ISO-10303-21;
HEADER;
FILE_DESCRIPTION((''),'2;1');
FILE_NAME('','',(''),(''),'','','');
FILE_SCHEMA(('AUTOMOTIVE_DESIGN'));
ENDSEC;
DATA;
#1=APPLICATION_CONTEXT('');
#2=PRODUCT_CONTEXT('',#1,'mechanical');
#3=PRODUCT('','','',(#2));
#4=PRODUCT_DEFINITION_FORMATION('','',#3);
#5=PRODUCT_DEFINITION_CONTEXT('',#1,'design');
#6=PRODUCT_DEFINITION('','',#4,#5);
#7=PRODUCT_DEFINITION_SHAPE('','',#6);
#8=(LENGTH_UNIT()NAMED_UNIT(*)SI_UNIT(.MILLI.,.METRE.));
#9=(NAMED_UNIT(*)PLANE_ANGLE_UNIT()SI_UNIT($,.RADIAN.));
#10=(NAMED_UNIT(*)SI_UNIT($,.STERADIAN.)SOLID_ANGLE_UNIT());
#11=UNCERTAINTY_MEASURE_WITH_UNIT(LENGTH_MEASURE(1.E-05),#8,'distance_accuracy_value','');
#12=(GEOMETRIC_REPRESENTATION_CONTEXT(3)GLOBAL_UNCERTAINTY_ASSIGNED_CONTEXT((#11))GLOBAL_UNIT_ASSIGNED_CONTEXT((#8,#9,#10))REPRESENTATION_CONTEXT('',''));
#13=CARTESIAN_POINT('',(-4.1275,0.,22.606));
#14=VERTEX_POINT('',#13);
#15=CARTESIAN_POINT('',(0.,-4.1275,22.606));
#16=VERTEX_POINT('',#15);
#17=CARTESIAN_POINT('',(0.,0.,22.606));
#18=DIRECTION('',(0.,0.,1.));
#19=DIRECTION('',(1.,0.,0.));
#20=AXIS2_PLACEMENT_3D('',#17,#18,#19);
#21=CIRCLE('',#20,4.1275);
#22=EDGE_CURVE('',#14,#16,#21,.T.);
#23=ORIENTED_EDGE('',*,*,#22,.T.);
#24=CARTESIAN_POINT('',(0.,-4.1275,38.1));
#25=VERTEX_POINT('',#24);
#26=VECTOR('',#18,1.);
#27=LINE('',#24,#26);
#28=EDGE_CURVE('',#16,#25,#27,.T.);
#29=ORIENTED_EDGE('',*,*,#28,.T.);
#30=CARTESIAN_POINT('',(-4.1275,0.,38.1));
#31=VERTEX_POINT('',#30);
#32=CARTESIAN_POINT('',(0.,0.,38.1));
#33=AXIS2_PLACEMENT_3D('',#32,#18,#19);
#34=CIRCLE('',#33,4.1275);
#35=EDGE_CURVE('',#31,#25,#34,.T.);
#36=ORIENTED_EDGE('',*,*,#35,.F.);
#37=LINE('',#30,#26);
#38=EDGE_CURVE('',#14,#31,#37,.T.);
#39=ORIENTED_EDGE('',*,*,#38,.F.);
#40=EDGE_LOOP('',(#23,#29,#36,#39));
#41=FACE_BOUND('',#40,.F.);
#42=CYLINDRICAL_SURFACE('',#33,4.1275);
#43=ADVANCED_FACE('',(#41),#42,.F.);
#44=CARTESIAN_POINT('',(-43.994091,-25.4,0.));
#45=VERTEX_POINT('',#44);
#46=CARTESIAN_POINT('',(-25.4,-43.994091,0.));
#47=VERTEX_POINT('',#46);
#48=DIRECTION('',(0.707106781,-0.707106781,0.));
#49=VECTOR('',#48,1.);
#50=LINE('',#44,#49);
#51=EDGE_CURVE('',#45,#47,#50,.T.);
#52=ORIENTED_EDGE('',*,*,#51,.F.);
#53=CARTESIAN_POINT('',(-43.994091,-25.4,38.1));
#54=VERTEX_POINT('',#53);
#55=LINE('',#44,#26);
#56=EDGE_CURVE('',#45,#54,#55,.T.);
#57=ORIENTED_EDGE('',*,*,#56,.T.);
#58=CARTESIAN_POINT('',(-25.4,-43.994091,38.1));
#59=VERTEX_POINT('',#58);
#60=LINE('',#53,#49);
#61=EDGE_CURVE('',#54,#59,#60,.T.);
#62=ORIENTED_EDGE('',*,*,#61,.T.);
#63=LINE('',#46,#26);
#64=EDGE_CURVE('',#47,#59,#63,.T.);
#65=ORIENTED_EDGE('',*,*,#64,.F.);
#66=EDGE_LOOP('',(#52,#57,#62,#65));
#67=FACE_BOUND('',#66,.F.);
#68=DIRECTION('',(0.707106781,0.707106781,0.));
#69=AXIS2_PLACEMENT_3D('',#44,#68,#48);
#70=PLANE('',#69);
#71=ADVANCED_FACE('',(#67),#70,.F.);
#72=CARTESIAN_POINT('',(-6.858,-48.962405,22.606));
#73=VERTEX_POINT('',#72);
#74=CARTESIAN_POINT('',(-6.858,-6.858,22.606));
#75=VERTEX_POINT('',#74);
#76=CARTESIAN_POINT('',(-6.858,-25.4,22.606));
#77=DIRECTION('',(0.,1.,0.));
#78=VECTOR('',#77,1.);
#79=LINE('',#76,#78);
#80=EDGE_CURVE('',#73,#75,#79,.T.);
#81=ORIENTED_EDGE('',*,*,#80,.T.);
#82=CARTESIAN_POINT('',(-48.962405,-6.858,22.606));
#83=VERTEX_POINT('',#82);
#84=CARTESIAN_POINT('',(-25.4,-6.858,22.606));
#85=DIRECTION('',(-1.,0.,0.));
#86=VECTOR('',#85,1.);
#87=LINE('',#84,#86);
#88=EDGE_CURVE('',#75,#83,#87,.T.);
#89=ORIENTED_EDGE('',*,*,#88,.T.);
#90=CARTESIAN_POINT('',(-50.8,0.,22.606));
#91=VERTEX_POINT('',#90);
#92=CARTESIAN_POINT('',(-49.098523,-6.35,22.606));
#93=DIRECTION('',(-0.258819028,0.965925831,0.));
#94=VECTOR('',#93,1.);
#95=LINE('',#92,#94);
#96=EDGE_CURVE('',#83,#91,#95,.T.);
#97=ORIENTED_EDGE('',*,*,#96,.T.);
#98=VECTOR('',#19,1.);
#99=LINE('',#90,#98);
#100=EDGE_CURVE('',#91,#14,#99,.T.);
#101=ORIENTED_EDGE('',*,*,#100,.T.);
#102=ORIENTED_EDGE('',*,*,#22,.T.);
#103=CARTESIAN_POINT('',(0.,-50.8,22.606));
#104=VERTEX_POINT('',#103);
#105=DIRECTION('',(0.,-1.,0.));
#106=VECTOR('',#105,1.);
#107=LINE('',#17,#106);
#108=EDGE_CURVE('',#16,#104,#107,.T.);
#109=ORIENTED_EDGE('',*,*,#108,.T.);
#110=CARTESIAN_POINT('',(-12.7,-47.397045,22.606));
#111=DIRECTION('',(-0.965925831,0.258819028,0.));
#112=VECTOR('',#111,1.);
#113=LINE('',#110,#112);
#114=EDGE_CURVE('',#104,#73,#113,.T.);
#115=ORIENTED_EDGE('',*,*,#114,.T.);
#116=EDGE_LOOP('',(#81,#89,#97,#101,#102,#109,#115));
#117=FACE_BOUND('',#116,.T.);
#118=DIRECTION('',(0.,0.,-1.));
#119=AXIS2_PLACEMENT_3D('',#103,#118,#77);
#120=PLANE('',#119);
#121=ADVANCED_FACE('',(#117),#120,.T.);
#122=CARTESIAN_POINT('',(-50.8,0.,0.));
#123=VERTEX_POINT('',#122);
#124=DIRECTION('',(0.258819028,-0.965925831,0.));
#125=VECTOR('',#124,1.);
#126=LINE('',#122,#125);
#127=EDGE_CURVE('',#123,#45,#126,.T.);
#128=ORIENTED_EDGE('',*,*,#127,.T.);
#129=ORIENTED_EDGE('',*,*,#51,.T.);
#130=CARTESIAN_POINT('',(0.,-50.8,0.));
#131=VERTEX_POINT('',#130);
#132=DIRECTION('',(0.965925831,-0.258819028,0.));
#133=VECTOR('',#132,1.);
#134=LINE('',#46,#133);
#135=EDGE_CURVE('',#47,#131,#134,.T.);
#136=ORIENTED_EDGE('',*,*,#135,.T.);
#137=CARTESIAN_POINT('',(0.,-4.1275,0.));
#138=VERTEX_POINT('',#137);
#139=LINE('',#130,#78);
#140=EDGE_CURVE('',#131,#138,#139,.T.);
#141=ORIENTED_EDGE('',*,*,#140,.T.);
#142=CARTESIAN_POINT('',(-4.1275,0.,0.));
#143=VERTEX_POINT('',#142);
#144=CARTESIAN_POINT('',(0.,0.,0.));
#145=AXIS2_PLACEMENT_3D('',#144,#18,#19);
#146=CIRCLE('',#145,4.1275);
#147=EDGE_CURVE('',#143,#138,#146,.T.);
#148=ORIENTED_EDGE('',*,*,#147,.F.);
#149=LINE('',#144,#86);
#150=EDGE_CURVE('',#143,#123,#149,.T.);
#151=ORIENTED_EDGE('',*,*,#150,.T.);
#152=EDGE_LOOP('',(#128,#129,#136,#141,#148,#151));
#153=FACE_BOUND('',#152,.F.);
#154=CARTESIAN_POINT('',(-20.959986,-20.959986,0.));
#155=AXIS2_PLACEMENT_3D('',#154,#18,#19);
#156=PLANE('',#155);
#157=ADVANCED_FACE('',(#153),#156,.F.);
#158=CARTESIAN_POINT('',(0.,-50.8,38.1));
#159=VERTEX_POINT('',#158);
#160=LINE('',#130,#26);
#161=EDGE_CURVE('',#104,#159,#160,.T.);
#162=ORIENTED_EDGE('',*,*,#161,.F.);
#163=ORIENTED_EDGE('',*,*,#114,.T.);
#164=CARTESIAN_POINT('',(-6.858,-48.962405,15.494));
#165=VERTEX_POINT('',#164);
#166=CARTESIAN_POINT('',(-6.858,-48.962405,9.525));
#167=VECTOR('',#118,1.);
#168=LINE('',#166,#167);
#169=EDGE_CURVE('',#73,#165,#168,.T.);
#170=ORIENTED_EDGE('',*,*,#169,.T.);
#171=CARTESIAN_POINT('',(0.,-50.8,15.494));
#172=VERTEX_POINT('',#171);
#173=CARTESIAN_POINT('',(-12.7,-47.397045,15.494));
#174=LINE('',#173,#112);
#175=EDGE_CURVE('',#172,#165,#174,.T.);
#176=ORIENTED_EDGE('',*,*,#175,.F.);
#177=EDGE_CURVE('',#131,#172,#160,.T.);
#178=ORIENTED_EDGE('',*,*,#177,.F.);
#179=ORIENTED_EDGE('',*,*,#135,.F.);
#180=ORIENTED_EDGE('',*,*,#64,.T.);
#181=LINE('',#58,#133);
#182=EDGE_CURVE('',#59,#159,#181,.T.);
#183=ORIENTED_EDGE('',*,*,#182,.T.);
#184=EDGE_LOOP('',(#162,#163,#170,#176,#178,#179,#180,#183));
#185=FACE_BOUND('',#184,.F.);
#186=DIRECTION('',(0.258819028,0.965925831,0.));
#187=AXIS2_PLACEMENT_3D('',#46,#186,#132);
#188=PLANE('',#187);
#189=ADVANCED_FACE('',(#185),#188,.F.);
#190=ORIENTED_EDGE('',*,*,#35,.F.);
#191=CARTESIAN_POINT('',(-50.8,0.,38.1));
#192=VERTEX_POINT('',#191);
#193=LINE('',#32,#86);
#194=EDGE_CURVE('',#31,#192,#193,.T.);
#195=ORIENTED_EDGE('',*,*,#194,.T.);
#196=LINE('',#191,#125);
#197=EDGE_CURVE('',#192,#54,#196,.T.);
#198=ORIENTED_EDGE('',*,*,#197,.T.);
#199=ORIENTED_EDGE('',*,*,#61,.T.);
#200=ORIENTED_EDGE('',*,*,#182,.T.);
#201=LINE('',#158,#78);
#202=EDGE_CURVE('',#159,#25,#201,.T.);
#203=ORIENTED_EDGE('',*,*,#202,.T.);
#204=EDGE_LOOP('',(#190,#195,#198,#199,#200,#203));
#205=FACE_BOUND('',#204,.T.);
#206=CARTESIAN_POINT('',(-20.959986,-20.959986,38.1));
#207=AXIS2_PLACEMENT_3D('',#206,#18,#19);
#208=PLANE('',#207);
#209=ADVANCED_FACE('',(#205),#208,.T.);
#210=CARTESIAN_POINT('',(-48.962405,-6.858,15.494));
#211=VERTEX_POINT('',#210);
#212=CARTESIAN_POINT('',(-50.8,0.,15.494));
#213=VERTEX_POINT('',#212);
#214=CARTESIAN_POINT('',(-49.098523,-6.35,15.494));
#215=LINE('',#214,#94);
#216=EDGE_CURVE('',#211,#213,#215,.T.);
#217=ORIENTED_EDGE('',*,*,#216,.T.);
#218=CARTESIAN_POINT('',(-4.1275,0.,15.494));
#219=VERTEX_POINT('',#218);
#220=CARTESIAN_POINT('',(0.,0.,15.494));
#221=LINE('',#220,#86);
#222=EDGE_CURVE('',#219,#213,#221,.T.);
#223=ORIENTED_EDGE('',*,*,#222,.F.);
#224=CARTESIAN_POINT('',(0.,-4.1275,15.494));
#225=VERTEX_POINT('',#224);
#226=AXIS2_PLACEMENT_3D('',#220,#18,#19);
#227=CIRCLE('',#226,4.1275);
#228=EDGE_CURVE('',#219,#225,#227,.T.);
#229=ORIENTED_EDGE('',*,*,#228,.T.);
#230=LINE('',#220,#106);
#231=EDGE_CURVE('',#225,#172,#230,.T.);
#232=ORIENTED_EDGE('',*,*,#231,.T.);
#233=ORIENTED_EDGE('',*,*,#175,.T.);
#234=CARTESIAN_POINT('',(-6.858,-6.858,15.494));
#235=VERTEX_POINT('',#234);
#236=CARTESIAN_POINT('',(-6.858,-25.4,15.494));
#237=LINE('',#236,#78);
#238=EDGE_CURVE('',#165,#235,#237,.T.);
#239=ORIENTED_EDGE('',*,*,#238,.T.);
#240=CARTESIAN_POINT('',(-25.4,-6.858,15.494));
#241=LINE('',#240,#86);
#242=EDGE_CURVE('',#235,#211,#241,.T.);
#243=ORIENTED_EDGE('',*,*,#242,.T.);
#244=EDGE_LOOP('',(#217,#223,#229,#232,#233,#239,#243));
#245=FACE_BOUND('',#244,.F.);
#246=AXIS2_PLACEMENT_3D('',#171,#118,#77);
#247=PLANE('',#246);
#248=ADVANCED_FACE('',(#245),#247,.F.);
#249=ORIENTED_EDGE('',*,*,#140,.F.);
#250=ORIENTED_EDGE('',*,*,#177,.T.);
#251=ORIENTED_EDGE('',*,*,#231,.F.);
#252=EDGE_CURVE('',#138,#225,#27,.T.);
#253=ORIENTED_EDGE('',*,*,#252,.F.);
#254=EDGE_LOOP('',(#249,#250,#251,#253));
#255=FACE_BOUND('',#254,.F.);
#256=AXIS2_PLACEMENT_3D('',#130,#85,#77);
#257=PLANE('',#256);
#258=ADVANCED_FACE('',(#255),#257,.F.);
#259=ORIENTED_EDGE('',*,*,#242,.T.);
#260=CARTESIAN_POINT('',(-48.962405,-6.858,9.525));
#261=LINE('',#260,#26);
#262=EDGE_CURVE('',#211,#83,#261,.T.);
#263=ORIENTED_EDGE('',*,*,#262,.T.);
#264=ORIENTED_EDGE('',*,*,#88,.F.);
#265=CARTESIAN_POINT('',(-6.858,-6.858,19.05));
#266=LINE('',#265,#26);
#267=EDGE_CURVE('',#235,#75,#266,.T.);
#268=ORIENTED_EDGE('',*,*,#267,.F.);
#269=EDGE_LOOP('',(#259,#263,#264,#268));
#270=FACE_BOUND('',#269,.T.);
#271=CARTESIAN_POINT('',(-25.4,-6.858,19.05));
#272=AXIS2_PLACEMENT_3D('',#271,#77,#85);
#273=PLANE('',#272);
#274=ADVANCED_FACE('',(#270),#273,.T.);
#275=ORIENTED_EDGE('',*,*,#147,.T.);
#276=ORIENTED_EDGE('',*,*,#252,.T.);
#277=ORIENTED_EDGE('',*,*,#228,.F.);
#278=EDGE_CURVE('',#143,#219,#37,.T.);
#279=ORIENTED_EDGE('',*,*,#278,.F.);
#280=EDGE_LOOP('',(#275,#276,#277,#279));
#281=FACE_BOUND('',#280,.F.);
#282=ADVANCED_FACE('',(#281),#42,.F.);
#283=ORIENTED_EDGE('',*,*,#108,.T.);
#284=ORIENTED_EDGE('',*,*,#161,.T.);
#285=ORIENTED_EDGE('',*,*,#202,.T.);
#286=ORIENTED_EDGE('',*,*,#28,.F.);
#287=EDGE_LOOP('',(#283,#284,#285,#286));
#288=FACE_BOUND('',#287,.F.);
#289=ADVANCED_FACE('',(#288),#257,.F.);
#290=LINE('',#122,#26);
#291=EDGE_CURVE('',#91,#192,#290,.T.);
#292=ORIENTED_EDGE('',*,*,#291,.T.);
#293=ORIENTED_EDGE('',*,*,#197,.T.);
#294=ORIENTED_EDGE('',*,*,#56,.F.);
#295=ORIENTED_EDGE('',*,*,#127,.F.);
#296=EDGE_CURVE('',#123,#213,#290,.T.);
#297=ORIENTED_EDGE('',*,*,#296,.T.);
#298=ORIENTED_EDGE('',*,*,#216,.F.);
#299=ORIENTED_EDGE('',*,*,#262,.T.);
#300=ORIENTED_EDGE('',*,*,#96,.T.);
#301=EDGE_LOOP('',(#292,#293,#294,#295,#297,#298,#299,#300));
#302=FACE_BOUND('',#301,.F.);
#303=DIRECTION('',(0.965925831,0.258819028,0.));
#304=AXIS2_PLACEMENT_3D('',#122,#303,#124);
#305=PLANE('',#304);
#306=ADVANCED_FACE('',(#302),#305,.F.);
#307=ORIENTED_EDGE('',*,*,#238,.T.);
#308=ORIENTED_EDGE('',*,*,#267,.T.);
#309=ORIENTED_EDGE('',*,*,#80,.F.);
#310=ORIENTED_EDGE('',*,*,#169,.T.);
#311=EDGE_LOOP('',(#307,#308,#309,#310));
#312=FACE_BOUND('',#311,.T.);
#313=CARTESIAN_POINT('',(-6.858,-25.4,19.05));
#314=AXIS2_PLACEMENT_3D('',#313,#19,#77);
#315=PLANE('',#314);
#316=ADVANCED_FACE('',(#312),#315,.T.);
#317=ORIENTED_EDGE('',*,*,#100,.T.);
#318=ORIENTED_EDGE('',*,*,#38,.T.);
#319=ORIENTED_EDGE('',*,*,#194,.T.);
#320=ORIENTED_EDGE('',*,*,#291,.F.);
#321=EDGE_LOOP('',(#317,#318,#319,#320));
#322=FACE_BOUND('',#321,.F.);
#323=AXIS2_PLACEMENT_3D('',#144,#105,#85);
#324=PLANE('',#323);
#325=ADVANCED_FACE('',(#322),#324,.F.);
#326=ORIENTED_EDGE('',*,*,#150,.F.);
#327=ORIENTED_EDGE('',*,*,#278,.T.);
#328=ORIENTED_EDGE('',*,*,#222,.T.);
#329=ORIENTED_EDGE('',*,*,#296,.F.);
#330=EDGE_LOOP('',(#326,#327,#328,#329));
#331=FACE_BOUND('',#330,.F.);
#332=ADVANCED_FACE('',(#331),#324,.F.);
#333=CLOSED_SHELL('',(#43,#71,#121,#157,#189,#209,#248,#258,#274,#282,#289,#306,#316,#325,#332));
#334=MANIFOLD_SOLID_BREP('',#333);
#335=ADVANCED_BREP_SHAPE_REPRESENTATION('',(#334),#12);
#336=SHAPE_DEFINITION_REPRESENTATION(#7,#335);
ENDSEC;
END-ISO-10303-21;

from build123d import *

# Parameters (mm, degrees)
F1_DEPTH = 38.1
F3_W     = 50.8
F3_H     = 7.112
F4_DEPTH = 6.858
F2_W     = 50.8
F2_H     = 7.112
F5_DEPTH = 6.858
F6_R     = 4.1275
F7_DEPTH = 39.624


with BuildPart() as f1:
    # F0 (on Top) → F1 (new body)
    with BuildSketch(Plane.XY):
        Polygon((-25.4, -43.994091), (0, -50.8), (0, 0), (-50.8, 0), (-43.994091, -25.4), align=None)
    extrude(amount=F1_DEPTH)

    # F3 (on face) → F4 (cut)
    with BuildSketch(Plane.YZ):
        with Locations((-25.4, 19.05)):
            Rectangle(F3_W, F3_H)
    extrude(amount=-F4_DEPTH, mode=Mode.SUBTRACT)

    # F2 (on face) → F5 (cut)
    with BuildSketch(Plane(origin=(0, 0, 0), x_dir=(-1, 0, 0), z_dir=(0, 1, 0))):
        with Locations((25.4, 19.05)):
            Rectangle(F2_W, F2_H)
    extrude(amount=-F5_DEPTH, mode=Mode.SUBTRACT)

    # F6 (on face) → F7 (cut)
    with BuildSketch(Plane.XY.offset(38.1)):
        Circle(F6_R)
    extrude(amount=-F7_DEPTH, mode=Mode.SUBTRACT)


solid = f1.part
